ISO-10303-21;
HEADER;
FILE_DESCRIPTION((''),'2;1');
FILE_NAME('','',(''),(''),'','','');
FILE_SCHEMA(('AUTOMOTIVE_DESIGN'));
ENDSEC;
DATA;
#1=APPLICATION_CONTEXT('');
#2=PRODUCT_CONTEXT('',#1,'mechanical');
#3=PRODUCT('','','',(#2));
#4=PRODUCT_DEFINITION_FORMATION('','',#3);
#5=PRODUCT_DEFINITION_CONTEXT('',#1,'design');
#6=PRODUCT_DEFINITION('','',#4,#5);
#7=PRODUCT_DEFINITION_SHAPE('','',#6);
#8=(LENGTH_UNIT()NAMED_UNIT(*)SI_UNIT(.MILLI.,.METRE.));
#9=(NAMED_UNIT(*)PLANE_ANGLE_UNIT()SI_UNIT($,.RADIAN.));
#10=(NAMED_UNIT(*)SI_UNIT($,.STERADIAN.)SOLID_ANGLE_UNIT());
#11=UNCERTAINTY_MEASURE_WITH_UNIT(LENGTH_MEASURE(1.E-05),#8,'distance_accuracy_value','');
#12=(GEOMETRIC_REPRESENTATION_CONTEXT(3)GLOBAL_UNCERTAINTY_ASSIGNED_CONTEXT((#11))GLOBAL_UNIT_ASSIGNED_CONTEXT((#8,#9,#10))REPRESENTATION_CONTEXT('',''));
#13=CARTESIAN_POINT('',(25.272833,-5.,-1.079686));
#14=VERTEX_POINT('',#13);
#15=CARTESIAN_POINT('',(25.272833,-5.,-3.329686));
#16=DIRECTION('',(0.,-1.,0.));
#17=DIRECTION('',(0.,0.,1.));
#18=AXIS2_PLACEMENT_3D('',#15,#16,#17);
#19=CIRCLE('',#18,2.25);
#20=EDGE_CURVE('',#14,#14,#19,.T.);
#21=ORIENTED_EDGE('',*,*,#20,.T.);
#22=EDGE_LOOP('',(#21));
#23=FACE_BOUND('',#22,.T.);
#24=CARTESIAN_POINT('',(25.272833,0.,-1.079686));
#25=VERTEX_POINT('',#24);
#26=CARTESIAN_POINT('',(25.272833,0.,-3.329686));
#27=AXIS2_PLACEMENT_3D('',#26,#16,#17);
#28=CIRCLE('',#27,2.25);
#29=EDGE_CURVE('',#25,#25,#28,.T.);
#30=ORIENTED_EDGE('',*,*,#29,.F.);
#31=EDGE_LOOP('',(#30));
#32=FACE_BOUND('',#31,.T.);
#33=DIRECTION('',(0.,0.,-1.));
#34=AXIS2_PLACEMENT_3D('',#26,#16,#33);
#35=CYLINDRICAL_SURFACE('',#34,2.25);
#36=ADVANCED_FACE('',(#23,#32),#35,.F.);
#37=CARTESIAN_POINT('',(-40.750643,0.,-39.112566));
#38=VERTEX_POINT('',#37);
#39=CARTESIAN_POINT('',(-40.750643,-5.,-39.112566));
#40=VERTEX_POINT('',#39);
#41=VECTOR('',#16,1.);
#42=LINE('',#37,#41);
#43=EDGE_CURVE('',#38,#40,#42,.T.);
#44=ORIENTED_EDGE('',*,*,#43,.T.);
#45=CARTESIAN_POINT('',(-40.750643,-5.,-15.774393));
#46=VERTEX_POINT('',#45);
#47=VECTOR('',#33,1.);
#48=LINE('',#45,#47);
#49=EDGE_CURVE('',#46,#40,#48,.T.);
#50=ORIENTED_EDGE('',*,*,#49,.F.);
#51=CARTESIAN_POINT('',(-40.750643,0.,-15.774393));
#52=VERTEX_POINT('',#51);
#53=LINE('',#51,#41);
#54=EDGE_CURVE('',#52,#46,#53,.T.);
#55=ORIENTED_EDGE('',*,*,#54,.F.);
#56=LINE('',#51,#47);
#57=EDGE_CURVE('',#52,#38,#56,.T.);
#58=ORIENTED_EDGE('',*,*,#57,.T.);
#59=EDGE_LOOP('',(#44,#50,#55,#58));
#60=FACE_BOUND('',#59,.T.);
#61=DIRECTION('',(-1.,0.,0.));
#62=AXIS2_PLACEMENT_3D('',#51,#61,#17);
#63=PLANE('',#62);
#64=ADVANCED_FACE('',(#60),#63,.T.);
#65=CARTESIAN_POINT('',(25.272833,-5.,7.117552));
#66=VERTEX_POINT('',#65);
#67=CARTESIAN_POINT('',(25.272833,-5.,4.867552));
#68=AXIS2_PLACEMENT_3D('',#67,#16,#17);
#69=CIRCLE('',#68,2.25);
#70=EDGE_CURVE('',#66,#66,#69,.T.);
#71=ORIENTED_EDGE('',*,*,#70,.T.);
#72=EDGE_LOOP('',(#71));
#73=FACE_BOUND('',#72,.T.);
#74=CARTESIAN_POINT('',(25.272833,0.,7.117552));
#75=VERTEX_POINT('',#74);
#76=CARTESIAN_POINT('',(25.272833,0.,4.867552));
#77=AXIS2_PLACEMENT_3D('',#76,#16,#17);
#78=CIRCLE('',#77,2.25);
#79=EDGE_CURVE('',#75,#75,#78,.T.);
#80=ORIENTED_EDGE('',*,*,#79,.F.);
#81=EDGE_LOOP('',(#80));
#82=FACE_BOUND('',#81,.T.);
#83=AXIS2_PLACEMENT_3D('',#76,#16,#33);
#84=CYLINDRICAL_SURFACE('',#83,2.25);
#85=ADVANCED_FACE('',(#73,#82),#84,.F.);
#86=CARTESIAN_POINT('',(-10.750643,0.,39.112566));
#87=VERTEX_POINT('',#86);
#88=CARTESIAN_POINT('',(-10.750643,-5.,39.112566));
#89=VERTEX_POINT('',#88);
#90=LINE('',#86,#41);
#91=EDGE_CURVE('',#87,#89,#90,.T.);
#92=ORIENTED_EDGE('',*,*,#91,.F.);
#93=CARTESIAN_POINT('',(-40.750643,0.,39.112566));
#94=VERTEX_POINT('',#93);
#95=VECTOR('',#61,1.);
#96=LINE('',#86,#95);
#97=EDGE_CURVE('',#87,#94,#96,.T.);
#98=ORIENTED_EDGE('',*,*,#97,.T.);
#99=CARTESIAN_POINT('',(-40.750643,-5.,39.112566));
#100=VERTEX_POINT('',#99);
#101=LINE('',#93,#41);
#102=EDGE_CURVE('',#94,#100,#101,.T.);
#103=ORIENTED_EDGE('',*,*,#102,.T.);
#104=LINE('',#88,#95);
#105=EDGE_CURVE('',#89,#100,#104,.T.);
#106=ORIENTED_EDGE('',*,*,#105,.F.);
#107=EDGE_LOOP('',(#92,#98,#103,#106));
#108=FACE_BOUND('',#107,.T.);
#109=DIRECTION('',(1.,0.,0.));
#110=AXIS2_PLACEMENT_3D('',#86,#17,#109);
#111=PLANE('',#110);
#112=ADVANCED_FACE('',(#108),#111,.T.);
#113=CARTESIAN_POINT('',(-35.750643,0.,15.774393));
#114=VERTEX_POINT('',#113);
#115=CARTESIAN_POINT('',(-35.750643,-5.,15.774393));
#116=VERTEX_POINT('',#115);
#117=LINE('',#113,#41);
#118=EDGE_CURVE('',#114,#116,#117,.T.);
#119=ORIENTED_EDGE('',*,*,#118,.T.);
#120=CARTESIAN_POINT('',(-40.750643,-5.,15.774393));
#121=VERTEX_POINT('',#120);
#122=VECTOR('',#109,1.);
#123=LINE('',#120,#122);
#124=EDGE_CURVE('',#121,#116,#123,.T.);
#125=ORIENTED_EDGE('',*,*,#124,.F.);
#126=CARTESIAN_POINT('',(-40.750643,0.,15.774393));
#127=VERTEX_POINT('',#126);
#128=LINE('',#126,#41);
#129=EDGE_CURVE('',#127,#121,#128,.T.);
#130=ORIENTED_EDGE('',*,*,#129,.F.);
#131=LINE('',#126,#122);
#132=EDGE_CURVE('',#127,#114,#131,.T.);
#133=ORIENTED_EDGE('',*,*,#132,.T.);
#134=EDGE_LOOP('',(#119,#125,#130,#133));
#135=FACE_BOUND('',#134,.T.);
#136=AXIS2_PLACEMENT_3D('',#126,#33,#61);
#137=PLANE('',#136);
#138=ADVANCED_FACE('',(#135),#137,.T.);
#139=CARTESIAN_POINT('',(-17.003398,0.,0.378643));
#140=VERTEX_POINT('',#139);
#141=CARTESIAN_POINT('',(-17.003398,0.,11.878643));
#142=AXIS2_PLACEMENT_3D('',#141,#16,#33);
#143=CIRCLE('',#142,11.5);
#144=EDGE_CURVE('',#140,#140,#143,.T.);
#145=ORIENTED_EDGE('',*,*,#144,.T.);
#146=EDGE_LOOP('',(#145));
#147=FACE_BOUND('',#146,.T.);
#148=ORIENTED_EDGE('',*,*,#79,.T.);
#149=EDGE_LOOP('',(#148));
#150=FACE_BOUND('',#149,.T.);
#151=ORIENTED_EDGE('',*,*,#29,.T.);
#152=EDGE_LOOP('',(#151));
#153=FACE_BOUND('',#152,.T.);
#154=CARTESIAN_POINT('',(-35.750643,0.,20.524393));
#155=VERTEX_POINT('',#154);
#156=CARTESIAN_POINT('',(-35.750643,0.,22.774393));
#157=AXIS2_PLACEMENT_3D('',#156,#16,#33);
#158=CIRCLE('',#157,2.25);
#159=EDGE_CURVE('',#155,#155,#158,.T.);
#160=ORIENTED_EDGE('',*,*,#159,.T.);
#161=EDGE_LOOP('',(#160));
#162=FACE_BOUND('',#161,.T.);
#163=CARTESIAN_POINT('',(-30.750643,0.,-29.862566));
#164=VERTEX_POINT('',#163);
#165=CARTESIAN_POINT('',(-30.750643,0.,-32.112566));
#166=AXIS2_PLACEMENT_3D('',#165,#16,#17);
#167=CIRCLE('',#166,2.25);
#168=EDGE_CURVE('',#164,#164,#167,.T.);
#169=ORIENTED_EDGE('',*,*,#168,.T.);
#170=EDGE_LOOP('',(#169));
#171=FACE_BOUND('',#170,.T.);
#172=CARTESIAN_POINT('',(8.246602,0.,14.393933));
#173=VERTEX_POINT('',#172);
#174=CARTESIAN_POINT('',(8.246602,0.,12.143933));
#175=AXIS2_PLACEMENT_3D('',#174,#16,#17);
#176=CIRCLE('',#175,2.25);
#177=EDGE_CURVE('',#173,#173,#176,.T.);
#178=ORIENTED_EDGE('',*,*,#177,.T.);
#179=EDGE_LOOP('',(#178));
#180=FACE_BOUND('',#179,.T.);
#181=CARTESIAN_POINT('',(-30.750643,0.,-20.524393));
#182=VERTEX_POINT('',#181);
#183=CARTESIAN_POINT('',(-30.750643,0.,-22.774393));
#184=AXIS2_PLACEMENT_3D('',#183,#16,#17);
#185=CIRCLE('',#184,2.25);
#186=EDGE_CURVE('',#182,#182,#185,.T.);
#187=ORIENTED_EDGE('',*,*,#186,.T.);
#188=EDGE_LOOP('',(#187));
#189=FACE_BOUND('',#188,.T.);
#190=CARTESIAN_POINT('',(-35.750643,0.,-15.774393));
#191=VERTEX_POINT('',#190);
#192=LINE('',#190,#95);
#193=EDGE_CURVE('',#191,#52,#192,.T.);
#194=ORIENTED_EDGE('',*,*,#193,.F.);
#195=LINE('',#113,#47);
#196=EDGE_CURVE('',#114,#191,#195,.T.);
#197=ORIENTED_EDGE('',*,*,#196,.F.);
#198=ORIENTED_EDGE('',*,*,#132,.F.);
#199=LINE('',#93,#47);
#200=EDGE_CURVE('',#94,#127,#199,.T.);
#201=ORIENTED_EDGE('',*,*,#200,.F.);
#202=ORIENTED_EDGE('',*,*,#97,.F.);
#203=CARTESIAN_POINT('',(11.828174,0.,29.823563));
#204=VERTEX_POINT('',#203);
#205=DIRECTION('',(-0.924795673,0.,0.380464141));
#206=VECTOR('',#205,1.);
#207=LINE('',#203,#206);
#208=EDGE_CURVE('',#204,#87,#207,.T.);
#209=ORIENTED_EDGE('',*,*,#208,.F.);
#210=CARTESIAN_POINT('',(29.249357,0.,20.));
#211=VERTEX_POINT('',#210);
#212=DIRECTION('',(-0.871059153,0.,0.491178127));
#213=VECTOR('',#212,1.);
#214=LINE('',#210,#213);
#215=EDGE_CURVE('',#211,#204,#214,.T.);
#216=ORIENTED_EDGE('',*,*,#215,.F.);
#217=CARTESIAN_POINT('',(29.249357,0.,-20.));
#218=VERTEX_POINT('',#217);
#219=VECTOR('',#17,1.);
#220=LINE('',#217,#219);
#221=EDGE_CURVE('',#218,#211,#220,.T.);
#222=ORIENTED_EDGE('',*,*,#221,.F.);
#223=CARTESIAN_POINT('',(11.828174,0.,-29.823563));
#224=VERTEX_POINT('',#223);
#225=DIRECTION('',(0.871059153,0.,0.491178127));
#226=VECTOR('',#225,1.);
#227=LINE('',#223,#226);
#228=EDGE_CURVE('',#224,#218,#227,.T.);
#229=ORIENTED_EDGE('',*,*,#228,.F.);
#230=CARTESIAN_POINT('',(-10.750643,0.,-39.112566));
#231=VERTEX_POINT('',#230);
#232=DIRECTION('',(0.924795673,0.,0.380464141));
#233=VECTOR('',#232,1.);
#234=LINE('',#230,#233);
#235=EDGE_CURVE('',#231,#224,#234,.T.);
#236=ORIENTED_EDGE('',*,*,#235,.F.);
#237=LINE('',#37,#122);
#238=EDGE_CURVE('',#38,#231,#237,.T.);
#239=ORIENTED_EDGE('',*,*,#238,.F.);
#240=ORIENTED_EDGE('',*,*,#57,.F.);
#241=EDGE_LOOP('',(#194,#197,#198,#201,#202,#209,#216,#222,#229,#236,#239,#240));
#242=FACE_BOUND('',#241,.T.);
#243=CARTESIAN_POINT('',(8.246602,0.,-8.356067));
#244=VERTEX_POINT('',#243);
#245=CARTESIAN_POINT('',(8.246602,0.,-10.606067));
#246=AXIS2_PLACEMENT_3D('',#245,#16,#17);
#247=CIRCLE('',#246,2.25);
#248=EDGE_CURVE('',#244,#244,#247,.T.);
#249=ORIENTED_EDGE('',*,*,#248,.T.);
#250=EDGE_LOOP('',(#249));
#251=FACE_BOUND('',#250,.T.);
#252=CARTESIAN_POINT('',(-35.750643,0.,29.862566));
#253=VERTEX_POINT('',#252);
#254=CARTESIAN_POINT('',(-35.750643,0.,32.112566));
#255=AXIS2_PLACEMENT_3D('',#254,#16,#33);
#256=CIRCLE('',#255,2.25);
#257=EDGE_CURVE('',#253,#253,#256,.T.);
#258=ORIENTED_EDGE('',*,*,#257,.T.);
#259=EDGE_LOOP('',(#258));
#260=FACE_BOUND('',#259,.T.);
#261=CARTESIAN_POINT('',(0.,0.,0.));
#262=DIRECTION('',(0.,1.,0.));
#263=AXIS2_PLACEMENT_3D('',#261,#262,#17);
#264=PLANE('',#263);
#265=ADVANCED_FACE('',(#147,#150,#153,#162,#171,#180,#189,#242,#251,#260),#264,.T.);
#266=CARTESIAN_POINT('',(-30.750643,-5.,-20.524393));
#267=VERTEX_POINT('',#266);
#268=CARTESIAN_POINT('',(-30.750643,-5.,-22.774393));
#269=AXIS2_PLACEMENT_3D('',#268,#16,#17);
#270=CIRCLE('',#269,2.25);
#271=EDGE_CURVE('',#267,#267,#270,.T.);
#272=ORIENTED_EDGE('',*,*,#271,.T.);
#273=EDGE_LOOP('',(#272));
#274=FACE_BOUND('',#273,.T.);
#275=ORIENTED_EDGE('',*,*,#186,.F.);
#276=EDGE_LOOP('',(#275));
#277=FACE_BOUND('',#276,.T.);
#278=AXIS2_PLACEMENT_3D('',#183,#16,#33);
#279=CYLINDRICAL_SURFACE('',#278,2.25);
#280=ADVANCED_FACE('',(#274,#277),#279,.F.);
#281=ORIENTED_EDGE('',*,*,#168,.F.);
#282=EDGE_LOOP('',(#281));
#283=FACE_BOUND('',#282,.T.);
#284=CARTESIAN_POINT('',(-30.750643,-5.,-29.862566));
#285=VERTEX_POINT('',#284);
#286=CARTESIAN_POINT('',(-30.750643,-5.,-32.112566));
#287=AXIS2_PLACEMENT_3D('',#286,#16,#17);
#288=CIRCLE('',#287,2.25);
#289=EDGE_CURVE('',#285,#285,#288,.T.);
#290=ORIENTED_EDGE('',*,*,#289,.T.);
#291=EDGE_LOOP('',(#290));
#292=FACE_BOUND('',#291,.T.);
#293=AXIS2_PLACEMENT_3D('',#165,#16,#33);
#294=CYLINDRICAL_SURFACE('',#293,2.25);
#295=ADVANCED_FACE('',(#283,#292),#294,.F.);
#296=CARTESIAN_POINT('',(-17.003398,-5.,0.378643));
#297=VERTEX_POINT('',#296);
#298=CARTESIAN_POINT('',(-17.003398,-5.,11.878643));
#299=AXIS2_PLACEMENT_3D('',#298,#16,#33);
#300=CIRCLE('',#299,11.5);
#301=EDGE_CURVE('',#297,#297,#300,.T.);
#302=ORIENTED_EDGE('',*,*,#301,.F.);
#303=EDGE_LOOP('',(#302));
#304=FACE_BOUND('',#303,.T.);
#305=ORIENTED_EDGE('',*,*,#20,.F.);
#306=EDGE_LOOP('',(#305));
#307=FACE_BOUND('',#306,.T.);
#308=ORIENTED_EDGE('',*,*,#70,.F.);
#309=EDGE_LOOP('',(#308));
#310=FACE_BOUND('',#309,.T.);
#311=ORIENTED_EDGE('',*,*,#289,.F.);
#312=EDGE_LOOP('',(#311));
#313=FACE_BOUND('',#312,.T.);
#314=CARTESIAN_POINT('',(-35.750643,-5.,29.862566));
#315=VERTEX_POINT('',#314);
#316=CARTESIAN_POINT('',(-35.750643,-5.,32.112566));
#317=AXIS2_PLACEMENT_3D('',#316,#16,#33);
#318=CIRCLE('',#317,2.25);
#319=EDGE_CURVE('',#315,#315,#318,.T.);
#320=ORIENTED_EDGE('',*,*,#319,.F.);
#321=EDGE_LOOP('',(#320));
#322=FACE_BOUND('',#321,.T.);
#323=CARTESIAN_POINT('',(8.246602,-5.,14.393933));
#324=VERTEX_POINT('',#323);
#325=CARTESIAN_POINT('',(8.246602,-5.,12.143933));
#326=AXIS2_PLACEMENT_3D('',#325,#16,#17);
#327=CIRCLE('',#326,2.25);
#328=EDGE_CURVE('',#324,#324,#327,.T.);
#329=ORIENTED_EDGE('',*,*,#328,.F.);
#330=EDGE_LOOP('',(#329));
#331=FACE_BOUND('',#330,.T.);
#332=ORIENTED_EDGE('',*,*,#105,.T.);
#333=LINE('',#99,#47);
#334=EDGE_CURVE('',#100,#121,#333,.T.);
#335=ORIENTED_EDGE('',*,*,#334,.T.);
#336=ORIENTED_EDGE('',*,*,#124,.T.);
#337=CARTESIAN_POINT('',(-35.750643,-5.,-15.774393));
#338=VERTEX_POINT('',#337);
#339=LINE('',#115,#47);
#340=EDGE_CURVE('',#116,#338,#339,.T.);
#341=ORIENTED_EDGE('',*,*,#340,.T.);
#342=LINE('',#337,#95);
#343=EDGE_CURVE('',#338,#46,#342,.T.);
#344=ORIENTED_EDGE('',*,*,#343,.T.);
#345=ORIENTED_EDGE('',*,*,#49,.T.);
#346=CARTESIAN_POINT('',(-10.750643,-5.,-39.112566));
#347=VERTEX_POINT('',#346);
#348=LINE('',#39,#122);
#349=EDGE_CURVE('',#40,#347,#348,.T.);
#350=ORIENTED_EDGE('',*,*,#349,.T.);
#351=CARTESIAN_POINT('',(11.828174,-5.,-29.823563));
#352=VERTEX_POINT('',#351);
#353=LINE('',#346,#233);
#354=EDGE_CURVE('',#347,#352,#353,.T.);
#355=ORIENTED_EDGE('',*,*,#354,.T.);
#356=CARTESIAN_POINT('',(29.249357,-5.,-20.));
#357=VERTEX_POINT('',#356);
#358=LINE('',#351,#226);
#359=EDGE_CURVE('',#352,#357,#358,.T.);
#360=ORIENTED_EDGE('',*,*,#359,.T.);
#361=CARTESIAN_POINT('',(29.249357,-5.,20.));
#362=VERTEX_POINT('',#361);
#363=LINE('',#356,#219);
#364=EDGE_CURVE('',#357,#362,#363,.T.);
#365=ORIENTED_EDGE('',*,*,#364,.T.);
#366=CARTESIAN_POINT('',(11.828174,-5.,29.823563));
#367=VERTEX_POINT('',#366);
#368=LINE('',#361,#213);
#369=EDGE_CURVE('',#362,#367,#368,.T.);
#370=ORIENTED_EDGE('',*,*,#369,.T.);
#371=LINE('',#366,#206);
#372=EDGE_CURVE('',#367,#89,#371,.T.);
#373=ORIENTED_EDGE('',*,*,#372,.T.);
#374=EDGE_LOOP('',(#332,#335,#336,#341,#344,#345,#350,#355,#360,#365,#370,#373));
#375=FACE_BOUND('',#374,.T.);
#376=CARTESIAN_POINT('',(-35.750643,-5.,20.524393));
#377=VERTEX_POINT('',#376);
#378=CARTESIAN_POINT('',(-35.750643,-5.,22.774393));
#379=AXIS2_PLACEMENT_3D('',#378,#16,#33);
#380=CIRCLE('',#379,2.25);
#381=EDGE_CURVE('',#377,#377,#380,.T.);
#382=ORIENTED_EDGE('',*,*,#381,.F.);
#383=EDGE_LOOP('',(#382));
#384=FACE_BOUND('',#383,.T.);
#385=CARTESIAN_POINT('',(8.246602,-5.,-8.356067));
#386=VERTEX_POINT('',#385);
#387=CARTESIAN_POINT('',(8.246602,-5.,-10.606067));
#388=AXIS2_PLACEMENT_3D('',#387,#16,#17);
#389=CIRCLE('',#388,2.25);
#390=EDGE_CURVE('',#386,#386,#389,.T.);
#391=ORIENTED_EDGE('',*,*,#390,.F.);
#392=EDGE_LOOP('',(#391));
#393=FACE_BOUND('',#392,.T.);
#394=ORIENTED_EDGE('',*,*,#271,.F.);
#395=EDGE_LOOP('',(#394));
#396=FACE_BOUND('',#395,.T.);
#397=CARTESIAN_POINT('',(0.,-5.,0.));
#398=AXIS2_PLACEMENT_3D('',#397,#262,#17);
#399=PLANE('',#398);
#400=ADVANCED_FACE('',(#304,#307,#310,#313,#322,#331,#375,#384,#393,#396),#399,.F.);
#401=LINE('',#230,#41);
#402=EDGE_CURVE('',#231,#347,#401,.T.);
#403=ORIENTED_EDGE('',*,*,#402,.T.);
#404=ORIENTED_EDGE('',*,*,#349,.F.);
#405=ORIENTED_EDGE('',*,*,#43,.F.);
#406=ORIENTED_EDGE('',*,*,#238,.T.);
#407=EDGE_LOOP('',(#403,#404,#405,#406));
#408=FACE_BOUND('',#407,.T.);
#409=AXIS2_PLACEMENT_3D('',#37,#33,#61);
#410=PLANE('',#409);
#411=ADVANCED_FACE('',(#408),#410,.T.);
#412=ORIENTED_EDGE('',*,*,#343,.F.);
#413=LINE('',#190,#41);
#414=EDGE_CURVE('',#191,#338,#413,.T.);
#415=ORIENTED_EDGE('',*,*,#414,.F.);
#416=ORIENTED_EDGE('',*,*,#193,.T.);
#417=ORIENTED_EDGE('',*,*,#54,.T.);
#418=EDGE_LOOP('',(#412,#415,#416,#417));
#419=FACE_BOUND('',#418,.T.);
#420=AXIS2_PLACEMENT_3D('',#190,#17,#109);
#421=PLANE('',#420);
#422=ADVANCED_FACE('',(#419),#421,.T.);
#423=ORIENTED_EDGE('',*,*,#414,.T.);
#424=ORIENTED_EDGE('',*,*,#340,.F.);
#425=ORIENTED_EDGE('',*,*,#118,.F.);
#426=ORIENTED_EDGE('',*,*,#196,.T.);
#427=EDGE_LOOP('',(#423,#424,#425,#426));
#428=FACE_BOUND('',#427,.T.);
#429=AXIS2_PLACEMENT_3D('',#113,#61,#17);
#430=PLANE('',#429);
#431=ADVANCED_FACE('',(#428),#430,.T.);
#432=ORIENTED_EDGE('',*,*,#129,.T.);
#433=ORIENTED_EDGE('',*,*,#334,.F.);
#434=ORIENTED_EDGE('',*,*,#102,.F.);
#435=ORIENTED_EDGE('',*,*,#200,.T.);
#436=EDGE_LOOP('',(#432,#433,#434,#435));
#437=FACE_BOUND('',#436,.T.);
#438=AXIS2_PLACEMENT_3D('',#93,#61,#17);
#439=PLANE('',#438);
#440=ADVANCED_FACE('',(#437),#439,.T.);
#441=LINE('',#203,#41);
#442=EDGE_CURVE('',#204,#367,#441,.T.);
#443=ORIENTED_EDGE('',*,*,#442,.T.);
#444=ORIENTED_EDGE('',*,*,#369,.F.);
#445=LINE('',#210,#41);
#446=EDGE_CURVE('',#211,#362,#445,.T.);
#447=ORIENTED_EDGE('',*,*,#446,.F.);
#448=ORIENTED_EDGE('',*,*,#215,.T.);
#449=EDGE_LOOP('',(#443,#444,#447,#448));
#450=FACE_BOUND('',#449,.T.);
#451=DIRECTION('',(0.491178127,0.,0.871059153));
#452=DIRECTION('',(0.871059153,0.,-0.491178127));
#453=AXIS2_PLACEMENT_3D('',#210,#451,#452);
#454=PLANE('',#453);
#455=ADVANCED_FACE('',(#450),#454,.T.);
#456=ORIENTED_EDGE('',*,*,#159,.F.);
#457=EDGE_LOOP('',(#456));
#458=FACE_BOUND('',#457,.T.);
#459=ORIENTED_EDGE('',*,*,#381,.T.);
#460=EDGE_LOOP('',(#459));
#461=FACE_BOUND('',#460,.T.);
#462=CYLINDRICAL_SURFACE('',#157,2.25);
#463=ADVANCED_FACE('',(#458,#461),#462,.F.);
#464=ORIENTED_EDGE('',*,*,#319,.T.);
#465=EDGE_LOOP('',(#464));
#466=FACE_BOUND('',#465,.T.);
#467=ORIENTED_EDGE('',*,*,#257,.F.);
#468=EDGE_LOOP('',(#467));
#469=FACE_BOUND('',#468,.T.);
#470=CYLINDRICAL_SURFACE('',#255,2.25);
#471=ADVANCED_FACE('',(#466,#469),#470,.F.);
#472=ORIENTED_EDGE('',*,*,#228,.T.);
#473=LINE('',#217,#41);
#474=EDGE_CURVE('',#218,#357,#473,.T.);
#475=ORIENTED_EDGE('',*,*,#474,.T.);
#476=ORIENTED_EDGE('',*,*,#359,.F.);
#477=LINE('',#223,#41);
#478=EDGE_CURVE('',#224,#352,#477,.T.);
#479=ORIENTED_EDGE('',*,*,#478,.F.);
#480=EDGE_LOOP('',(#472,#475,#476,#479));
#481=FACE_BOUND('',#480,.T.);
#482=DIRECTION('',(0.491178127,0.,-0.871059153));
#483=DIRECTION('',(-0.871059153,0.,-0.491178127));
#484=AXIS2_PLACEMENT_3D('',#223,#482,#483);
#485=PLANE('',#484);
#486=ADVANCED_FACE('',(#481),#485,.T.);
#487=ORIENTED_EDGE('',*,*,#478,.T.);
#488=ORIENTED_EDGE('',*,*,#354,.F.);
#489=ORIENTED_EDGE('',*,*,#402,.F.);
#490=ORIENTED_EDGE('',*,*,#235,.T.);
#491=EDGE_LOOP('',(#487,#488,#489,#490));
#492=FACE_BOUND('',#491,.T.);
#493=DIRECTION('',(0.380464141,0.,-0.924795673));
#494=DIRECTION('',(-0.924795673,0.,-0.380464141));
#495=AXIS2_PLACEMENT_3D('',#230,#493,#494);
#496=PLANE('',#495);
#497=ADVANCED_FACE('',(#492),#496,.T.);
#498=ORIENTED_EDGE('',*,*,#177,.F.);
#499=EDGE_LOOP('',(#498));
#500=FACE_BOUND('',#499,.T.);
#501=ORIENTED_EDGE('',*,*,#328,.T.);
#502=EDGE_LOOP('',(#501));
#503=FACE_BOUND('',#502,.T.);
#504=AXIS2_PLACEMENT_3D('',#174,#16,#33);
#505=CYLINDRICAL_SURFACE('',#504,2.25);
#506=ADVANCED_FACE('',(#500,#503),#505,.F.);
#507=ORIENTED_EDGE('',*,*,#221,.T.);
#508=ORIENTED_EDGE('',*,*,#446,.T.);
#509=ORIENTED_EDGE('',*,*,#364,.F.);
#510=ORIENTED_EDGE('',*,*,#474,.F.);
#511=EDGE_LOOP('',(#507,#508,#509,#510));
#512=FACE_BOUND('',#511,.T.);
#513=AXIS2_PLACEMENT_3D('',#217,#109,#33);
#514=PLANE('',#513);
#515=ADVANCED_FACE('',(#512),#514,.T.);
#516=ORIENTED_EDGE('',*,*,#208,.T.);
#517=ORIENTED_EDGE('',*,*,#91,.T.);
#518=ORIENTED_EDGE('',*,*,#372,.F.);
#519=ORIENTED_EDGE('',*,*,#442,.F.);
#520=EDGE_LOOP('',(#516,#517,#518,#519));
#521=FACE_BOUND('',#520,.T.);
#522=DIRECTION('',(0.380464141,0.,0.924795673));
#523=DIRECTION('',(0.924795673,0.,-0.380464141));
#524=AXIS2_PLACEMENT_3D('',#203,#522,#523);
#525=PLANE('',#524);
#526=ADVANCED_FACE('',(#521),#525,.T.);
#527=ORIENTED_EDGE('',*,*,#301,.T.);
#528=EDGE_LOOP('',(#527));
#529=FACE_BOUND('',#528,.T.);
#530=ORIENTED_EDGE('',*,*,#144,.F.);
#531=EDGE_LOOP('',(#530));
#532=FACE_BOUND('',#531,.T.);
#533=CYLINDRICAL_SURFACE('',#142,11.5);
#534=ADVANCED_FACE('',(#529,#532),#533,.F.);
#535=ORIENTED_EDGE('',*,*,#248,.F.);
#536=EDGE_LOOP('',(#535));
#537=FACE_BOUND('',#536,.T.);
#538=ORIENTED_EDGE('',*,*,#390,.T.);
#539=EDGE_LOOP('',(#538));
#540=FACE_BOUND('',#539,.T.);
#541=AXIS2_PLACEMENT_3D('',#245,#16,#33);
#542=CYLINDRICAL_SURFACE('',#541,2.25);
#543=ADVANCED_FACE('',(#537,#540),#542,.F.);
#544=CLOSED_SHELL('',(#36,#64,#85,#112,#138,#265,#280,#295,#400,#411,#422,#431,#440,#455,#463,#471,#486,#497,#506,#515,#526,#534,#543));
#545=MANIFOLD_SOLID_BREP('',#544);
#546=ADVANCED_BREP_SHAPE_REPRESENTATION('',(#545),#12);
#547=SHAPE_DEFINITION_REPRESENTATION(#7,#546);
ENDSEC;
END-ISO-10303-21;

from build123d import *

# Parameters (mm, degrees)
SKETCH1_R           = 2.25
SKETCH1_R_2         = 11.5
BOSS_EXTRUDE1_DEPTH = 5


with BuildPart() as part:
    # Sketch1 → Boss-Extrude1 (new body)
    with BuildSketch(Plane.XZ.offset(5)):
        Polygon((-35.75064294, 15.774393454), (-35.75064294, -15.774393454), (-40.75064294, -15.774393454), (-40.75064294, -39.112565995), (-10.75064294, -39.112565995), (11.828174009, -29.823562546), (29.24935706, -20), (29.24935706, 20), (11.828174009, 29.823562546), (-10.75064294, 39.112565995), (-40.75064294, 39.112565995), (-40.75064294, 15.774393454), align=None)
        with Locations((-30.75064294, -22.774393454)):
            Circle(SKETCH1_R, mode=Mode.SUBTRACT)
        with Locations((25.272832985, -3.329685731)):
            Circle(SKETCH1_R, mode=Mode.SUBTRACT)
        with Locations((8.246602308, -10.606066633)):
            Circle(SKETCH1_R, mode=Mode.SUBTRACT)
        with Locations((25.272832985, 4.867552465)):
            Circle(SKETCH1_R, mode=Mode.SUBTRACT)
        with Locations((-30.75064294, -32.112565995)):
            Circle(SKETCH1_R, mode=Mode.SUBTRACT)
        with Locations((-17.003397692, 11.878643261)):
            Circle(SKETCH1_R_2, mode=Mode.SUBTRACT)
        with Locations((8.246602308, 12.143933367)):
            Circle(SKETCH1_R, mode=Mode.SUBTRACT)
        with Locations((-35.75064294, 22.774393454)):
            Circle(SKETCH1_R, mode=Mode.SUBTRACT)
        with Locations((-35.75064294, 32.112565995)):
            Circle(SKETCH1_R, mode=Mode.SUBTRACT)
    extrude(amount=-BOSS_EXTRUDE1_DEPTH)


solid = part.part
